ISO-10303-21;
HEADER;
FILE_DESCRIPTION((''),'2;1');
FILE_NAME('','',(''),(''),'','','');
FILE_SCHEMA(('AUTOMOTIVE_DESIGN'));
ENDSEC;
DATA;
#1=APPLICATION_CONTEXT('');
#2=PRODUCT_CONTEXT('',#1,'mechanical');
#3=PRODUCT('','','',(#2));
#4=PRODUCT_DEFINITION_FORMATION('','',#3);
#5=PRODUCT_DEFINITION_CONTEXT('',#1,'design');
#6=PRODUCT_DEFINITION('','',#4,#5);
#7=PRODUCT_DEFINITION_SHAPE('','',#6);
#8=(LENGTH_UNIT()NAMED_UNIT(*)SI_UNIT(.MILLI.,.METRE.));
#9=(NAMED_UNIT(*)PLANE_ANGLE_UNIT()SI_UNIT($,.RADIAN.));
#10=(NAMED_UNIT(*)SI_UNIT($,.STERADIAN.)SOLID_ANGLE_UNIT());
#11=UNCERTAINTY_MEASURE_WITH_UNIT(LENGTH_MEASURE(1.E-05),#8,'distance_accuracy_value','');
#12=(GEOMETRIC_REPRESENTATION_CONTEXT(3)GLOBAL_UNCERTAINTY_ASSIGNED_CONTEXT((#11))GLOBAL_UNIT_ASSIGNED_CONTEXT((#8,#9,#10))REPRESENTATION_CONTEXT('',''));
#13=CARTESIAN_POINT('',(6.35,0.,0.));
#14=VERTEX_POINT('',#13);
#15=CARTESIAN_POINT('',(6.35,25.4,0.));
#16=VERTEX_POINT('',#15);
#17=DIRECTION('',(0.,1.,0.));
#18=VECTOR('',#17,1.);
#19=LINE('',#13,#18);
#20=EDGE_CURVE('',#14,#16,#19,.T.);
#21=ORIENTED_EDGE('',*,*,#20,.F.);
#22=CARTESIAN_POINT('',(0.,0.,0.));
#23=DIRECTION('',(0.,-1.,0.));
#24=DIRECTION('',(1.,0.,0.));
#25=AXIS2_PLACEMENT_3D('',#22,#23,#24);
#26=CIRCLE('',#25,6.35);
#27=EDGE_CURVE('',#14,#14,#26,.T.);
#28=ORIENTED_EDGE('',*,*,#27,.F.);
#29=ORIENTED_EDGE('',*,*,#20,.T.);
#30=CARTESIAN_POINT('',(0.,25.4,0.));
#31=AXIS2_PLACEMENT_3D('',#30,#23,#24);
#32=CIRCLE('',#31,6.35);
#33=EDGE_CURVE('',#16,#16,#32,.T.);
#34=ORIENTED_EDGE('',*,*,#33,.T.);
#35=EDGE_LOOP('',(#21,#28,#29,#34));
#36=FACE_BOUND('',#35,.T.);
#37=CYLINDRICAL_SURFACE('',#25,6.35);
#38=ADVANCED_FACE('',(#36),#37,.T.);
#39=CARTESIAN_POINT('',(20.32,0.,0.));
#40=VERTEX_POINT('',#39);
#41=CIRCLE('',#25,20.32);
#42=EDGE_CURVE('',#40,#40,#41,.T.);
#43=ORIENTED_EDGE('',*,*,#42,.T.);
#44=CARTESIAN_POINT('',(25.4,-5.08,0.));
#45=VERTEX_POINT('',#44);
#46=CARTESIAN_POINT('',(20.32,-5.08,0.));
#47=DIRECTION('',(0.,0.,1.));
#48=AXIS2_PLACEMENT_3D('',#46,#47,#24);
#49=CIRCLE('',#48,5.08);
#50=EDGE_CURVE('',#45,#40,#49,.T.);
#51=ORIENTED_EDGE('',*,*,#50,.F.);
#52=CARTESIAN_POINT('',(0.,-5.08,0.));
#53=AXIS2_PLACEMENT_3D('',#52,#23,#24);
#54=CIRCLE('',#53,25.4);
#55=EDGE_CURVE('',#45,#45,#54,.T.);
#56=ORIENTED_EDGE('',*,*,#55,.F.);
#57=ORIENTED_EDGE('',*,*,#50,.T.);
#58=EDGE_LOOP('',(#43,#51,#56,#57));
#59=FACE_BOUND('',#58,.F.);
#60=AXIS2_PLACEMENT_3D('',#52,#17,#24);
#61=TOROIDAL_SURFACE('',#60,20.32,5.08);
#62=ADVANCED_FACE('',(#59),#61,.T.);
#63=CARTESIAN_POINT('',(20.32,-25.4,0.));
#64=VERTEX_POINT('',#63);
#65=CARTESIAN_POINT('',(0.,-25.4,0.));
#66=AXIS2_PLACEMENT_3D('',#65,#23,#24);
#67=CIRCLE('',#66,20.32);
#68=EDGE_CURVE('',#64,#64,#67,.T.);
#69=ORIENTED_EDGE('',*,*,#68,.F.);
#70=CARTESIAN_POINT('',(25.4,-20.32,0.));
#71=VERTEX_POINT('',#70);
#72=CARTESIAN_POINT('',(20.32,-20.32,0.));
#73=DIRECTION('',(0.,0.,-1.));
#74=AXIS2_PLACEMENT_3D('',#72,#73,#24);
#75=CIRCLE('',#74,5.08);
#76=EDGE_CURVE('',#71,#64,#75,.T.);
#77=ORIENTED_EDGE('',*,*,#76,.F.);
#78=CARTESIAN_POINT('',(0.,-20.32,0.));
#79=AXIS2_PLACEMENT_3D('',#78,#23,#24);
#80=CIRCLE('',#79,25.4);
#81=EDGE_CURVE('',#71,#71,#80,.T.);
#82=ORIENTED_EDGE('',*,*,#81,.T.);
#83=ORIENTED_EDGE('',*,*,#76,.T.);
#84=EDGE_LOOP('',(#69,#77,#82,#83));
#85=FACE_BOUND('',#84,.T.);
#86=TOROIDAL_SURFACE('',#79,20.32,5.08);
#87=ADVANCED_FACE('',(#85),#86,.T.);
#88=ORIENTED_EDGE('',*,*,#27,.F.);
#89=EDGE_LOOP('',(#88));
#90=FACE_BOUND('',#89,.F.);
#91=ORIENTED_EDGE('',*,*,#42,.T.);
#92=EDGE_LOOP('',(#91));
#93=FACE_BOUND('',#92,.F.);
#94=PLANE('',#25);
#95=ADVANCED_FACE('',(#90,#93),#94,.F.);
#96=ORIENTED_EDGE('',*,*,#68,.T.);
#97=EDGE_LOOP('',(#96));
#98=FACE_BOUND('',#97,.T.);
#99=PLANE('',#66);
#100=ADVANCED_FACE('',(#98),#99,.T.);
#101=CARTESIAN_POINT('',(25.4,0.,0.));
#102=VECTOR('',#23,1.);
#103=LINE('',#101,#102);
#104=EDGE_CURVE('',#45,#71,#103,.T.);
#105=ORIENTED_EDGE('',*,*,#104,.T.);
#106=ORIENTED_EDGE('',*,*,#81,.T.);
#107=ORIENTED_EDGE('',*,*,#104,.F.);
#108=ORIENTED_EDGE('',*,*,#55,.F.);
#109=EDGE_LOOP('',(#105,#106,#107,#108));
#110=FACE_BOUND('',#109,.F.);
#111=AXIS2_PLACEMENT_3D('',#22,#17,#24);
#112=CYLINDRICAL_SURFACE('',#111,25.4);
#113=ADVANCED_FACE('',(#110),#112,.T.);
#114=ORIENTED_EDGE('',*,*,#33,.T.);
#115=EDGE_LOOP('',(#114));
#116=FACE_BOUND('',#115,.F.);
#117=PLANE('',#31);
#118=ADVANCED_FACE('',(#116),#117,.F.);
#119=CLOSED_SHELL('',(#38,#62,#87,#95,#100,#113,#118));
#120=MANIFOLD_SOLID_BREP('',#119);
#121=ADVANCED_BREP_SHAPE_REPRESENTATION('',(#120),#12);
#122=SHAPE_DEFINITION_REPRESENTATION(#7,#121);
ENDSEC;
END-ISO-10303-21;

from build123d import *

# Parameters (mm, degrees)
F0_R     = 25.4
F0_R_2   = 6.35
F1_DEPTH = 25.4
F2_R     = 5.08
F3_DEPTH = 25.4


with BuildPart() as f1:
    # F0 (on Front) → F1 (new body)
    with BuildSketch(Plane.XZ):
        Circle(F0_R)
        Circle(F0_R_2, mode=Mode.SUBTRACT)
        Circle(F0_R_2)
    extrude(amount=F1_DEPTH)

    # F2
    f2_edges = [f1.edges().sort_by_distance(p)[0] for p in [
        (-25.4, -25.4, 0),
        (-25.4, 0, 0),
    ]]
    fillet(f2_edges, radius=F2_R)

    # F0 (on Front) → F3 (join)
    with BuildSketch(Plane.XZ):
        Circle(F0_R_2)
    extrude(amount=-F3_DEPTH)


solid = f1.part
